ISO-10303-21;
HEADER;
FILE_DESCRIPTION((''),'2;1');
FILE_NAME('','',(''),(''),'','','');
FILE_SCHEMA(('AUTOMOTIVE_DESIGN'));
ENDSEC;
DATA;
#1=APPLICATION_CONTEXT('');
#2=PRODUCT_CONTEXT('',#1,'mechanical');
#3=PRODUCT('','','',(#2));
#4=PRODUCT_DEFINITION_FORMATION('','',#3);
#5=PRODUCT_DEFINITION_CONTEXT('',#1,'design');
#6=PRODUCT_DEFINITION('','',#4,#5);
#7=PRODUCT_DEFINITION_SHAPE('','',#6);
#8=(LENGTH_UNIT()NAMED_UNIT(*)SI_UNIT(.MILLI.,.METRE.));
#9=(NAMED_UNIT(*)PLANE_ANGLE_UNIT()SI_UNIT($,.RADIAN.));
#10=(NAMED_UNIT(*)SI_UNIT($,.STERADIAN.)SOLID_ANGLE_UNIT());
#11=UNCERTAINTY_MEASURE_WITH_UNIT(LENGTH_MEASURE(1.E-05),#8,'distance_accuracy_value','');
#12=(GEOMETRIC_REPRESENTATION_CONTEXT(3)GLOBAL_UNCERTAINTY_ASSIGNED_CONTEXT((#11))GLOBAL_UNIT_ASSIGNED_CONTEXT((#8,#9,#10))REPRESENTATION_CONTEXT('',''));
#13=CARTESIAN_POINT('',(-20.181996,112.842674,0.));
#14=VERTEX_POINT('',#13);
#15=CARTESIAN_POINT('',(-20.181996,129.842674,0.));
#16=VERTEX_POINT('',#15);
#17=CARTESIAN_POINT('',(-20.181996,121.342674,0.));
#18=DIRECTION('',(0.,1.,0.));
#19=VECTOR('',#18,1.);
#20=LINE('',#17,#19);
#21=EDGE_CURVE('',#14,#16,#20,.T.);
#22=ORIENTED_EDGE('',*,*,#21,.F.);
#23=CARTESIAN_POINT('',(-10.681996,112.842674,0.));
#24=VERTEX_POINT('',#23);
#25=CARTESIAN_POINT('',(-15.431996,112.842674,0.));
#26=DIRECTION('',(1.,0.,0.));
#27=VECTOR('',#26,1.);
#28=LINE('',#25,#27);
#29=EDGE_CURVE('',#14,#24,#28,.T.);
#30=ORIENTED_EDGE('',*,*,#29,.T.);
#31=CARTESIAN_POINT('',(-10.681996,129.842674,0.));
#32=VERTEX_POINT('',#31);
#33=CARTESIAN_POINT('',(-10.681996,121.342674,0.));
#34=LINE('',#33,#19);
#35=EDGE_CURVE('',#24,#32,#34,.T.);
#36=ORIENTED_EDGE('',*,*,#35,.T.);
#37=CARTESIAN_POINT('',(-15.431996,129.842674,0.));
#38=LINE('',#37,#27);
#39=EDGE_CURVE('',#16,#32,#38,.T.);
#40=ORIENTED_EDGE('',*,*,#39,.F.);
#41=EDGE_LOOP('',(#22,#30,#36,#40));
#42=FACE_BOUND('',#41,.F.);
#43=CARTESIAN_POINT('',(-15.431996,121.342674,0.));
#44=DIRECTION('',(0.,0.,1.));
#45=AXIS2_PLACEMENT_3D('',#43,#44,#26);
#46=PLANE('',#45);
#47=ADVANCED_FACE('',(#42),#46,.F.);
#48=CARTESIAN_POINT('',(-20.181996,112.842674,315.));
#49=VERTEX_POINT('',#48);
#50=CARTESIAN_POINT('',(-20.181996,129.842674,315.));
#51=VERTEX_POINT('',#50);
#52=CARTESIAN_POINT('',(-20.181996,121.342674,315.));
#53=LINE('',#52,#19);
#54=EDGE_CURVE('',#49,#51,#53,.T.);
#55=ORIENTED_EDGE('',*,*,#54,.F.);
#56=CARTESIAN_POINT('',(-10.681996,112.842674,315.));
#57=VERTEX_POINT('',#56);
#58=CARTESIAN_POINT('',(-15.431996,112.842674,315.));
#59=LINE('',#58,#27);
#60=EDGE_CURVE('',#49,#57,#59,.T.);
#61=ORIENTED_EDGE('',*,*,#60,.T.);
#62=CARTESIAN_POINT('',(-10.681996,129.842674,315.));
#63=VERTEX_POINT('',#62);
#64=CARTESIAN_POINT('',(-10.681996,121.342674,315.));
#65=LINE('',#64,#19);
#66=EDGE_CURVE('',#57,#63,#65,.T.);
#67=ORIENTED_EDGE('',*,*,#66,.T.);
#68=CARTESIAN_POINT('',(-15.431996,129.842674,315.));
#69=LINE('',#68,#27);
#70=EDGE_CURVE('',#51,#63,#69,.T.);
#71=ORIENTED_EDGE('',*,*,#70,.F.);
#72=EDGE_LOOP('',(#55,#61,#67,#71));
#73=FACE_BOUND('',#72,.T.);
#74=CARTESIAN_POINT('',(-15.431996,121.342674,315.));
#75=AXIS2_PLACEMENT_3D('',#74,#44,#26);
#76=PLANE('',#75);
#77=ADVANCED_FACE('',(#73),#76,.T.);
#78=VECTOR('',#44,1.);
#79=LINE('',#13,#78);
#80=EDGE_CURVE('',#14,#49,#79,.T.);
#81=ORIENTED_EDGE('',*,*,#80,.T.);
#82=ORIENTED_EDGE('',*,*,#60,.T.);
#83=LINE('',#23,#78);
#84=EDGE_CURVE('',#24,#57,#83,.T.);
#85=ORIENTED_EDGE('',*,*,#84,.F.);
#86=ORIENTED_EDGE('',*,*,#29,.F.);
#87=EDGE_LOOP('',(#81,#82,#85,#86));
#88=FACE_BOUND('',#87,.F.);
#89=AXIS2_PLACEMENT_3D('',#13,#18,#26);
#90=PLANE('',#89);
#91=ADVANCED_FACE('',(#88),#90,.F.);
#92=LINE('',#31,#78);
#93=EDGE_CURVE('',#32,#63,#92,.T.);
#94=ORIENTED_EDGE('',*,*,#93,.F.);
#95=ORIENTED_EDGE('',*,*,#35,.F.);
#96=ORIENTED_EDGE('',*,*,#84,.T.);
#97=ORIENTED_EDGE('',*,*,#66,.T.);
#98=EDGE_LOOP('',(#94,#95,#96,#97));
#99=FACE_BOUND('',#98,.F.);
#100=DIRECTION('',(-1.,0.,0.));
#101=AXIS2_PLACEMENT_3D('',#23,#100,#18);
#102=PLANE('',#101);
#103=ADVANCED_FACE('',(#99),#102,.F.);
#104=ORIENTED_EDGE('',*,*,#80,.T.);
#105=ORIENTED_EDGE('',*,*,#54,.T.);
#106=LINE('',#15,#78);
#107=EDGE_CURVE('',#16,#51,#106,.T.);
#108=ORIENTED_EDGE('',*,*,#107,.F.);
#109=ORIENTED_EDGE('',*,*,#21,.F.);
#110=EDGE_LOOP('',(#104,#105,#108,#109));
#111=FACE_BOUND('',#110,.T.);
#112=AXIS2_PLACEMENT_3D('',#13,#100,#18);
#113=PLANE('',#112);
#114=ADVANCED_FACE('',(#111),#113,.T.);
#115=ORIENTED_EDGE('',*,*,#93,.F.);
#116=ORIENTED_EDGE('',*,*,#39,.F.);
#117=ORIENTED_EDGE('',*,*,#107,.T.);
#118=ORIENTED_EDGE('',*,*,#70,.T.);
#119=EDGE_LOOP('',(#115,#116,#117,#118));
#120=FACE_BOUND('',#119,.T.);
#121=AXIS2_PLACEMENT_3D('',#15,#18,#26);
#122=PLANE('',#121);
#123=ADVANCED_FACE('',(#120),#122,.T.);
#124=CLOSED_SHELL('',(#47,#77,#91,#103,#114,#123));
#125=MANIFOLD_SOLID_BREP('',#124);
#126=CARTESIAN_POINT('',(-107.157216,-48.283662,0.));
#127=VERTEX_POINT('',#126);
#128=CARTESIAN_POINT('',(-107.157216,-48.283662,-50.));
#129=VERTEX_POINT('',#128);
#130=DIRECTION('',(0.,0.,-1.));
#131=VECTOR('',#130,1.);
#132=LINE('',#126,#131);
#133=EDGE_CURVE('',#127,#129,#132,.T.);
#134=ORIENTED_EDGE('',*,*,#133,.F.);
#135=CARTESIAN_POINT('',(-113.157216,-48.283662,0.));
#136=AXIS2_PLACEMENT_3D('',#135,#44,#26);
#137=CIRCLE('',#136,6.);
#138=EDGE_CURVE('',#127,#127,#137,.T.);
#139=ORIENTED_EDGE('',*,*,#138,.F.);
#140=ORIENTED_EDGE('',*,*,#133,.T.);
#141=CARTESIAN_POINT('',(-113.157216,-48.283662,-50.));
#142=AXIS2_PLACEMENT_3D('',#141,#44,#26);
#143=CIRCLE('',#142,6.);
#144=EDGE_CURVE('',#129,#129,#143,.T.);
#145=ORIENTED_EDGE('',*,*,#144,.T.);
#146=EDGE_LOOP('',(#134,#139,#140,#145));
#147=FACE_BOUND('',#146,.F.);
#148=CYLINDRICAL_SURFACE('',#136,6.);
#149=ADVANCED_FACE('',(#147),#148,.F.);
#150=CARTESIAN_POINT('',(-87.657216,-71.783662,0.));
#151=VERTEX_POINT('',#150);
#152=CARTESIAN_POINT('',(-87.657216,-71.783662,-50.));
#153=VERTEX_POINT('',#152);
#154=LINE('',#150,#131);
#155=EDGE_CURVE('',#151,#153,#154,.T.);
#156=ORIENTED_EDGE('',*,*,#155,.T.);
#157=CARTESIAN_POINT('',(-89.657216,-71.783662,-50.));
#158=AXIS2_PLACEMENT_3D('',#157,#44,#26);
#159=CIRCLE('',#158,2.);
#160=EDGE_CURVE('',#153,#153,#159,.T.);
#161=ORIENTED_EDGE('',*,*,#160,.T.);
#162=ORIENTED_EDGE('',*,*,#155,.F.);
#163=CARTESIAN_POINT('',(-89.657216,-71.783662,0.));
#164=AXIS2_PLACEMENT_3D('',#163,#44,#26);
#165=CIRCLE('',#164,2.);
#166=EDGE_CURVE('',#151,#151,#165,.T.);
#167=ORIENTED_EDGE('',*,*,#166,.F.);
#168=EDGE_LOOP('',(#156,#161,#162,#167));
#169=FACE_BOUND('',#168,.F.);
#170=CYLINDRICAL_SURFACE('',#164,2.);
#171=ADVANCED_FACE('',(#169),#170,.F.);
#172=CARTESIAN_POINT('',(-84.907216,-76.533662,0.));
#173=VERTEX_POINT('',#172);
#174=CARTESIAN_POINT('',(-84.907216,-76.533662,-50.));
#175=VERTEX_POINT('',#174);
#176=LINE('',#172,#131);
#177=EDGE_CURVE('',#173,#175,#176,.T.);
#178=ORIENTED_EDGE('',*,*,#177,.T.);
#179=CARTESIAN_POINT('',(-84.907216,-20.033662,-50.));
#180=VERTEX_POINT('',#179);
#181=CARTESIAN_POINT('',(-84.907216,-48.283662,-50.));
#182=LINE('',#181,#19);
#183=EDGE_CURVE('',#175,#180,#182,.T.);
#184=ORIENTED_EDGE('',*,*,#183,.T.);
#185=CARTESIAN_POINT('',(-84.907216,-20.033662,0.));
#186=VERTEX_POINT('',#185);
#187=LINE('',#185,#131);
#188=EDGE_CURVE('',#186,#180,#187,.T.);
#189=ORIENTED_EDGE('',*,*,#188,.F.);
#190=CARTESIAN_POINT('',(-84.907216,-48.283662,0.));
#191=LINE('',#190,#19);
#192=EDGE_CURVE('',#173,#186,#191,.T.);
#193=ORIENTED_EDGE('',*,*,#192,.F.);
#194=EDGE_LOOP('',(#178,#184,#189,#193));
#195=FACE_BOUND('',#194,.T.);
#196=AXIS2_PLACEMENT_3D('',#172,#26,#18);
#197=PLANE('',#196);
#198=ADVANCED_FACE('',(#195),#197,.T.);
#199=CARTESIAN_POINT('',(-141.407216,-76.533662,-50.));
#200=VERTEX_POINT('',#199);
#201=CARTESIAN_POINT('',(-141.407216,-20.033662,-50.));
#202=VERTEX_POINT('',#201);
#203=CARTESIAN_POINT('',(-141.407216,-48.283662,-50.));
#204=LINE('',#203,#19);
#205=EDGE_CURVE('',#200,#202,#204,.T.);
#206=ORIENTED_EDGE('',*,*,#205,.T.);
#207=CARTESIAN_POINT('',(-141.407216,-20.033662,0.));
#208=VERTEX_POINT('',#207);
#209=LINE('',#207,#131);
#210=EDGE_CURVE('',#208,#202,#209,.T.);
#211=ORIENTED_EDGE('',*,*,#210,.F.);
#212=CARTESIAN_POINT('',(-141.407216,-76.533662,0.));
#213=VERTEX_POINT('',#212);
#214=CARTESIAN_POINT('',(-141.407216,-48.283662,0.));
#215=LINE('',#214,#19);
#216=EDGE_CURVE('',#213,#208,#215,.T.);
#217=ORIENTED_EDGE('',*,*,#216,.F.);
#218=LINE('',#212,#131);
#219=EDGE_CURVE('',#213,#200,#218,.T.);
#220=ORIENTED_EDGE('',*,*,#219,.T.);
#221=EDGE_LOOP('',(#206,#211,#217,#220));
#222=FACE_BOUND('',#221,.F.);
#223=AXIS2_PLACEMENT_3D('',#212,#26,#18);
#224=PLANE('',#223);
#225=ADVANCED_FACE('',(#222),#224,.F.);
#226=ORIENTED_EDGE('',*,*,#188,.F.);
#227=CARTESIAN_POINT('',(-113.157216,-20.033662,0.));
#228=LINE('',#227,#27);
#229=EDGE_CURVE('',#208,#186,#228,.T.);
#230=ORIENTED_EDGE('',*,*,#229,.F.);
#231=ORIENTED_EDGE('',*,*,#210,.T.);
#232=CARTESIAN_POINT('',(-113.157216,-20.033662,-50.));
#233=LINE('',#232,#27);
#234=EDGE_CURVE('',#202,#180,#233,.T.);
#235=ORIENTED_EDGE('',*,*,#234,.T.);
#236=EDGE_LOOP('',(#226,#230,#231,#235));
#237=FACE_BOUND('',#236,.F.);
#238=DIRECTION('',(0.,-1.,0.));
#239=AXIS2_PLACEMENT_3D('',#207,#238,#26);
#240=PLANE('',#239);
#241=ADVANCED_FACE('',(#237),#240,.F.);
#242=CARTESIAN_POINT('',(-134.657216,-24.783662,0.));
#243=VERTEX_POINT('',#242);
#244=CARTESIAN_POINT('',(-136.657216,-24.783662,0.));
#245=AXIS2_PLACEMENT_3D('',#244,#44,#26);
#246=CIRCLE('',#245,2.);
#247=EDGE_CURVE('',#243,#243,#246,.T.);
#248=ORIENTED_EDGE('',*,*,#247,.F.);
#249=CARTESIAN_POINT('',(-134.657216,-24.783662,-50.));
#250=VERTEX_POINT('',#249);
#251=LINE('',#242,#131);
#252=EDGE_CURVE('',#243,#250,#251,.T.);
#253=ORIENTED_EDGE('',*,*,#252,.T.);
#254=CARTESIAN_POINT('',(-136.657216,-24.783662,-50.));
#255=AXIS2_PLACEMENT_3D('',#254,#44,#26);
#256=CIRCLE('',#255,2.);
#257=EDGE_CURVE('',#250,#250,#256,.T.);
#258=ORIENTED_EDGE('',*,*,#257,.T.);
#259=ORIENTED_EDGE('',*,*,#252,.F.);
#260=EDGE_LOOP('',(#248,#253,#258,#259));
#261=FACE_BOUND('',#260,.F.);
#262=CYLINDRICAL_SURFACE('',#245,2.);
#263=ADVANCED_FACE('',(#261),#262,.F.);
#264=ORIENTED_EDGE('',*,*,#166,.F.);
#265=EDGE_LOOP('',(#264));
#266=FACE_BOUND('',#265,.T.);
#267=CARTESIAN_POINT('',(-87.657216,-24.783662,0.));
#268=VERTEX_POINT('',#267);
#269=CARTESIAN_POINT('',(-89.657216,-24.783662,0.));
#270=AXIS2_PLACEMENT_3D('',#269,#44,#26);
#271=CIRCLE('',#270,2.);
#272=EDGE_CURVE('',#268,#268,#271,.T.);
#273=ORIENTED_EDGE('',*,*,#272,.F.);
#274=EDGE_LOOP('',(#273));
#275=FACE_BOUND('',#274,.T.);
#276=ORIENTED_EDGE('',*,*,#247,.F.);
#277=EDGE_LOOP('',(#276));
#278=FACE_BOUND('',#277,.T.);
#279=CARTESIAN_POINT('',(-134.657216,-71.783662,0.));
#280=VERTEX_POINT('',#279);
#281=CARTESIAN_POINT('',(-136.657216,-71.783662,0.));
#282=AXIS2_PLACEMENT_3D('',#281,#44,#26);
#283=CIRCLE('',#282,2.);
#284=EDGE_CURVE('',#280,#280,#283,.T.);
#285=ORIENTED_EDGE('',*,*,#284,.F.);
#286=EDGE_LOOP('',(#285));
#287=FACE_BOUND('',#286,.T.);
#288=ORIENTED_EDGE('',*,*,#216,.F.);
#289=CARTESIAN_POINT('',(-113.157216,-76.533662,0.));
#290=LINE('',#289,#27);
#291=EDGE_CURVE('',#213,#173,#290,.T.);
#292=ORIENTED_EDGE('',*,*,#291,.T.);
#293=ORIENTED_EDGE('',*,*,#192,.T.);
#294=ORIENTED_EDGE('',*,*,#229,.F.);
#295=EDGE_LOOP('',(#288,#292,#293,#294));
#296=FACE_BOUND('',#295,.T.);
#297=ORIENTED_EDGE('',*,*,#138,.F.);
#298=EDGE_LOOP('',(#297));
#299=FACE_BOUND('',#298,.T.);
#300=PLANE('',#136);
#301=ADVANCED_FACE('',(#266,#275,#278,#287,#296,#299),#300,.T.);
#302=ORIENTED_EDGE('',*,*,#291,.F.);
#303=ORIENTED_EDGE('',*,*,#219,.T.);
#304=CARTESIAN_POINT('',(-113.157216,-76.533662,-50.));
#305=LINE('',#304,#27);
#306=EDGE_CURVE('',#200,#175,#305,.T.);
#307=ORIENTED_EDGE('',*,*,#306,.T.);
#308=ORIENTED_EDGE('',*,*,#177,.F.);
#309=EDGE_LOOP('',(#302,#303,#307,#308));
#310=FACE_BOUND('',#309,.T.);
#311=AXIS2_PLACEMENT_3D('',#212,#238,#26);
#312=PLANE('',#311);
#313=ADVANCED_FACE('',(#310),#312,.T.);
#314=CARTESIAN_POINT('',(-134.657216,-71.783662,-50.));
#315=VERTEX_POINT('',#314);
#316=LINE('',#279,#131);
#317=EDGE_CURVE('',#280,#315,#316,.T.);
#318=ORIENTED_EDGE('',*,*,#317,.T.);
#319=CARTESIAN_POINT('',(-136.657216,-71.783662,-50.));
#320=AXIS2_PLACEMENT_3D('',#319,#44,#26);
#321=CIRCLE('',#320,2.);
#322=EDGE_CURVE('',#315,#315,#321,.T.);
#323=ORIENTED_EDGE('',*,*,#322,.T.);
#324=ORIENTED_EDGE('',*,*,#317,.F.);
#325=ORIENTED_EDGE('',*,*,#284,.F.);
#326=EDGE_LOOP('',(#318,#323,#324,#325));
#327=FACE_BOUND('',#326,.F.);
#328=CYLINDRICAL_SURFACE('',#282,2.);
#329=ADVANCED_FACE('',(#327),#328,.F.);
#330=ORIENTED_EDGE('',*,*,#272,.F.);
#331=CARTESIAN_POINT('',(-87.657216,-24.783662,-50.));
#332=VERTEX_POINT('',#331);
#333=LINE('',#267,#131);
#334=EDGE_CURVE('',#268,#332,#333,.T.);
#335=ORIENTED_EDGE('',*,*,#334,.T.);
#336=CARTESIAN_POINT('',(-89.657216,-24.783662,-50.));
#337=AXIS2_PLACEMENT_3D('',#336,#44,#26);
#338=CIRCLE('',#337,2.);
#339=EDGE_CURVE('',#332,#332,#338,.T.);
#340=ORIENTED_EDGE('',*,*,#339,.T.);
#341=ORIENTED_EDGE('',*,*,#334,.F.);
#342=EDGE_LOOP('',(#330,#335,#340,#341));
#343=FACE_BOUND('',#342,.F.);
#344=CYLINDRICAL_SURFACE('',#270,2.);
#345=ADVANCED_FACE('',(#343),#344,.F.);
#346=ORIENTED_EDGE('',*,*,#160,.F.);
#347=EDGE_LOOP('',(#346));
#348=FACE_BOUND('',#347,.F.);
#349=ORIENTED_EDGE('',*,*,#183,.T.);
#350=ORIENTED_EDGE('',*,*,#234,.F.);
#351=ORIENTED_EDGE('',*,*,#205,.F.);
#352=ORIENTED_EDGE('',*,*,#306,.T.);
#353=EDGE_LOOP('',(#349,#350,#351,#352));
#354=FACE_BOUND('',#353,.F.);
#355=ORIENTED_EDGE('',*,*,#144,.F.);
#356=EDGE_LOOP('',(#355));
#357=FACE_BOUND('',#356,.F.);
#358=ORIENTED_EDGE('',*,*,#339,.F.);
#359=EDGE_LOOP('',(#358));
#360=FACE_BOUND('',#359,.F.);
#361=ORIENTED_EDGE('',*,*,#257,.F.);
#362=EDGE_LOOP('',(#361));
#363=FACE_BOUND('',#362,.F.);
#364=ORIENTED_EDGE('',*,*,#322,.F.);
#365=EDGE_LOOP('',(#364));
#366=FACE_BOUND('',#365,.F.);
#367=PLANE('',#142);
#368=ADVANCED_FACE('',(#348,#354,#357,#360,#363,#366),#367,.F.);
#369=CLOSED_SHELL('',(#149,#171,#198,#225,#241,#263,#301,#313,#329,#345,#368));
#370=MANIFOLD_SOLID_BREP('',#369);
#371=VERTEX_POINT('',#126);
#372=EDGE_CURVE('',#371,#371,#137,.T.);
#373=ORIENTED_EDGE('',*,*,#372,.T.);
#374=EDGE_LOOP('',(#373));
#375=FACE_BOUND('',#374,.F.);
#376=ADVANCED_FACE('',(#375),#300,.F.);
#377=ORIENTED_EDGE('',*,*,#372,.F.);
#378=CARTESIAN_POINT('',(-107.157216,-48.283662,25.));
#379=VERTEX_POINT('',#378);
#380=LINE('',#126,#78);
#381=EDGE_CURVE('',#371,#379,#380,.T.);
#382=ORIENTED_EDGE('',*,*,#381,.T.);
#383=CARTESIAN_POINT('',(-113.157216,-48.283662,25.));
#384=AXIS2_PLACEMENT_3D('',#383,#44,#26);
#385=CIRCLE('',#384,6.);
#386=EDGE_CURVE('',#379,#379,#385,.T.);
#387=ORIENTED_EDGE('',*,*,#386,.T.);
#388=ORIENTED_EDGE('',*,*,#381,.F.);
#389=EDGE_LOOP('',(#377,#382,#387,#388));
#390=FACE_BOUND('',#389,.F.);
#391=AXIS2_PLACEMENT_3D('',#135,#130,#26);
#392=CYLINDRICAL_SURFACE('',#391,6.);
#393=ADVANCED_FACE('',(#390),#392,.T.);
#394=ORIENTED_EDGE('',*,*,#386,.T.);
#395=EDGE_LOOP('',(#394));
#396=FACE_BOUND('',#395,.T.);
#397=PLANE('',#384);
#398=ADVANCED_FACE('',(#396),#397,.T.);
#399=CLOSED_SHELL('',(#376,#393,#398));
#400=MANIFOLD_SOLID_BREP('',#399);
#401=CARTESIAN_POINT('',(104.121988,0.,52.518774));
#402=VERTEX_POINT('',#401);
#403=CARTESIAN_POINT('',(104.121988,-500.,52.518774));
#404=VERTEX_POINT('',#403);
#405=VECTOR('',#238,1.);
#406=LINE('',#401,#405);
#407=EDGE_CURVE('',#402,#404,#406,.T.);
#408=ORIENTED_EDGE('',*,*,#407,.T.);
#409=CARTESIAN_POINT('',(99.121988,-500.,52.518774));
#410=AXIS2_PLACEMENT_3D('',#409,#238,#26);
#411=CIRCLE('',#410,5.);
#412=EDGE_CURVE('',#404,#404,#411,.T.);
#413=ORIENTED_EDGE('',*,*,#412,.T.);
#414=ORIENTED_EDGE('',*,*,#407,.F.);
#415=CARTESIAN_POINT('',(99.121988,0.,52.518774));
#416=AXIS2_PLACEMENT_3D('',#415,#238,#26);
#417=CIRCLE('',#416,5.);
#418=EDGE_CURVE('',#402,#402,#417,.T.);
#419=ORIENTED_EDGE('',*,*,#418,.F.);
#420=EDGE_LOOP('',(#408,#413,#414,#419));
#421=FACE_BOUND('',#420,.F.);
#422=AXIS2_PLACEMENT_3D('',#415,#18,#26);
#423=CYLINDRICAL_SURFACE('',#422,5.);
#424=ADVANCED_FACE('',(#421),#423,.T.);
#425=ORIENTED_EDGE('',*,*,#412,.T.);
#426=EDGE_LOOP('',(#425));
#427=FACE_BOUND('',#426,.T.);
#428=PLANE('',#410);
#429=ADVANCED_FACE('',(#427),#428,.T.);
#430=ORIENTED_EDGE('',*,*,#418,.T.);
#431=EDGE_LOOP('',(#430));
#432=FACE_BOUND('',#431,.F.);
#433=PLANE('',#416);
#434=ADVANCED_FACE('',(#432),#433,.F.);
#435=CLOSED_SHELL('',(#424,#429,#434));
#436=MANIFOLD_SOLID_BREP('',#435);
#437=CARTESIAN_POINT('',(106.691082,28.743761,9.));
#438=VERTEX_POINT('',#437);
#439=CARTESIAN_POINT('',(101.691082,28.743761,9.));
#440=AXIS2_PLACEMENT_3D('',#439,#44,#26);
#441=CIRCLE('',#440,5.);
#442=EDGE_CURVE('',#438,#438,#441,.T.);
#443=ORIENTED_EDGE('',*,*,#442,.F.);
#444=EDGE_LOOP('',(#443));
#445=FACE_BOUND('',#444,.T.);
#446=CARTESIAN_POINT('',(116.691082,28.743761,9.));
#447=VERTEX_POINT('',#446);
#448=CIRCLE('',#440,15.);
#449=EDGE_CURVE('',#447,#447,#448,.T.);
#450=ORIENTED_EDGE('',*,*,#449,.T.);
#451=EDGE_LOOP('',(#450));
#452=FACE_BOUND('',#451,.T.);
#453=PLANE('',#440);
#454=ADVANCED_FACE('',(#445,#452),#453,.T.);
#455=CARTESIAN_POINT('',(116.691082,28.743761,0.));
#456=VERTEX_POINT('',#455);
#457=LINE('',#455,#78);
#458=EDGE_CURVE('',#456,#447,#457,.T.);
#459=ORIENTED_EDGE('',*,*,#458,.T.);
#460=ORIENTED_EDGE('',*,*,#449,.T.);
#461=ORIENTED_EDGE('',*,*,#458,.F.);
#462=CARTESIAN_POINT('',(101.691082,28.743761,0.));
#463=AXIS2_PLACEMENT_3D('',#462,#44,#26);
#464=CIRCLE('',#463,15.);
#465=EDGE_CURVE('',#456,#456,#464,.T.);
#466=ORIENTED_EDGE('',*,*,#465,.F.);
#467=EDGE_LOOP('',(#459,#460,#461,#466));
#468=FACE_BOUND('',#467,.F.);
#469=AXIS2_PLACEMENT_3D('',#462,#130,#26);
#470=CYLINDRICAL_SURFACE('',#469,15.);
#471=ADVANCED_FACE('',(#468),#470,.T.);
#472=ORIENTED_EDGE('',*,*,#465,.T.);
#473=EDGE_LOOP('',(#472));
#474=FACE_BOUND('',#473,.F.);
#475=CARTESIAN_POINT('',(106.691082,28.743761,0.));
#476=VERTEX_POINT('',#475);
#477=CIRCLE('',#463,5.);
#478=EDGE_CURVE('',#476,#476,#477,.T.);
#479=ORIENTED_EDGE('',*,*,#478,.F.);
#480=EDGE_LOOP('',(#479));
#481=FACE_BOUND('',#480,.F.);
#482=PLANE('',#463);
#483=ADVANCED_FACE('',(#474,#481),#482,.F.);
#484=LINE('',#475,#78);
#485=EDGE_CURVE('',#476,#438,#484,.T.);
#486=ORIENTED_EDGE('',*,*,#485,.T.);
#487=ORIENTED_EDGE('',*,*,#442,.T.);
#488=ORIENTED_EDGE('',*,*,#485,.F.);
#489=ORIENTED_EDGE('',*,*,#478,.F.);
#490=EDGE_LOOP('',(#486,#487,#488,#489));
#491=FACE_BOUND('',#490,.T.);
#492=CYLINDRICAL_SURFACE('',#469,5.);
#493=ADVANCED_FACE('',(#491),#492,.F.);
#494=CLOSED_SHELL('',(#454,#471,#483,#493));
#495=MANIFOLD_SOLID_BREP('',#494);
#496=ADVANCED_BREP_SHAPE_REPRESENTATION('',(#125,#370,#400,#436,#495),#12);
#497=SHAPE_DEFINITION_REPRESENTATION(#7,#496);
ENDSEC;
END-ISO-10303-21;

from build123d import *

# Parameters (mm, degrees)
F0_R     = 6
F1_DEPTH = 25
F0_W     = 56.5
F0_H     = 56.5
F0_R_2   = 2
F2_DEPTH = 50
F3_R     = 15
F3_R_2   = 5
F4_DEPTH = 9
F5_R     = 5
F6_DEPTH = 500
F7_W     = 9.5
F7_H     = 17
F8_DEPTH = 315


with BuildPart() as f1:
    # F0 (on Top) → F1 (new body)
    with BuildSketch(Plane.XY):
        with Locations((-113.157216, -48.283662)):
            Circle(F0_R)
    extrude(amount=F1_DEPTH)


with BuildPart() as f2:
    # F0 (on Top) → F2 (new body)
    with BuildSketch(Plane.XY):
        with Locations((-113.157216, -48.283662)):
            Rectangle(F0_W, F0_H)
        with Locations((-136.657216, -71.783662)):
            Circle(F0_R_2, mode=Mode.SUBTRACT)
        with Locations((-89.657216, -71.783662)):
            Circle(F0_R_2, mode=Mode.SUBTRACT)
        with Locations((-113.157216, -48.283662)):
            Circle(F0_R, mode=Mode.SUBTRACT)
        with Locations((-136.657216, -24.783662)):
            Circle(F0_R_2, mode=Mode.SUBTRACT)
        with Locations((-89.657216, -24.783662)):
            Circle(F0_R_2, mode=Mode.SUBTRACT)
    extrude(amount=-F2_DEPTH)


with BuildPart() as f4:
    # F3 (on Top) → F4 (new body)
    with BuildSketch(Plane.XY):
        with Locations((101.691082, 28.743761)):
            Circle(F3_R)
        with Locations((101.691082, 28.743761)):
            Circle(F3_R_2, mode=Mode.SUBTRACT)
    extrude(amount=F4_DEPTH)


with BuildPart() as f6:
    # F5 (on Front) → F6 (new body)
    with BuildSketch(Plane.XZ):
        with Locations((99.121988, 52.518774)):
            Circle(F5_R)
    extrude(amount=F6_DEPTH)


with BuildPart() as f8:
    # F7 (on Top) → F8 (new body)
    with BuildSketch(Plane.XY):
        with Locations((-15.431996, 121.342674)):
            Rectangle(F7_W, F7_H)
    extrude(amount=F8_DEPTH)


solid = Compound([f1.part, f2.part, f4.part, f6.part, f8.part])
